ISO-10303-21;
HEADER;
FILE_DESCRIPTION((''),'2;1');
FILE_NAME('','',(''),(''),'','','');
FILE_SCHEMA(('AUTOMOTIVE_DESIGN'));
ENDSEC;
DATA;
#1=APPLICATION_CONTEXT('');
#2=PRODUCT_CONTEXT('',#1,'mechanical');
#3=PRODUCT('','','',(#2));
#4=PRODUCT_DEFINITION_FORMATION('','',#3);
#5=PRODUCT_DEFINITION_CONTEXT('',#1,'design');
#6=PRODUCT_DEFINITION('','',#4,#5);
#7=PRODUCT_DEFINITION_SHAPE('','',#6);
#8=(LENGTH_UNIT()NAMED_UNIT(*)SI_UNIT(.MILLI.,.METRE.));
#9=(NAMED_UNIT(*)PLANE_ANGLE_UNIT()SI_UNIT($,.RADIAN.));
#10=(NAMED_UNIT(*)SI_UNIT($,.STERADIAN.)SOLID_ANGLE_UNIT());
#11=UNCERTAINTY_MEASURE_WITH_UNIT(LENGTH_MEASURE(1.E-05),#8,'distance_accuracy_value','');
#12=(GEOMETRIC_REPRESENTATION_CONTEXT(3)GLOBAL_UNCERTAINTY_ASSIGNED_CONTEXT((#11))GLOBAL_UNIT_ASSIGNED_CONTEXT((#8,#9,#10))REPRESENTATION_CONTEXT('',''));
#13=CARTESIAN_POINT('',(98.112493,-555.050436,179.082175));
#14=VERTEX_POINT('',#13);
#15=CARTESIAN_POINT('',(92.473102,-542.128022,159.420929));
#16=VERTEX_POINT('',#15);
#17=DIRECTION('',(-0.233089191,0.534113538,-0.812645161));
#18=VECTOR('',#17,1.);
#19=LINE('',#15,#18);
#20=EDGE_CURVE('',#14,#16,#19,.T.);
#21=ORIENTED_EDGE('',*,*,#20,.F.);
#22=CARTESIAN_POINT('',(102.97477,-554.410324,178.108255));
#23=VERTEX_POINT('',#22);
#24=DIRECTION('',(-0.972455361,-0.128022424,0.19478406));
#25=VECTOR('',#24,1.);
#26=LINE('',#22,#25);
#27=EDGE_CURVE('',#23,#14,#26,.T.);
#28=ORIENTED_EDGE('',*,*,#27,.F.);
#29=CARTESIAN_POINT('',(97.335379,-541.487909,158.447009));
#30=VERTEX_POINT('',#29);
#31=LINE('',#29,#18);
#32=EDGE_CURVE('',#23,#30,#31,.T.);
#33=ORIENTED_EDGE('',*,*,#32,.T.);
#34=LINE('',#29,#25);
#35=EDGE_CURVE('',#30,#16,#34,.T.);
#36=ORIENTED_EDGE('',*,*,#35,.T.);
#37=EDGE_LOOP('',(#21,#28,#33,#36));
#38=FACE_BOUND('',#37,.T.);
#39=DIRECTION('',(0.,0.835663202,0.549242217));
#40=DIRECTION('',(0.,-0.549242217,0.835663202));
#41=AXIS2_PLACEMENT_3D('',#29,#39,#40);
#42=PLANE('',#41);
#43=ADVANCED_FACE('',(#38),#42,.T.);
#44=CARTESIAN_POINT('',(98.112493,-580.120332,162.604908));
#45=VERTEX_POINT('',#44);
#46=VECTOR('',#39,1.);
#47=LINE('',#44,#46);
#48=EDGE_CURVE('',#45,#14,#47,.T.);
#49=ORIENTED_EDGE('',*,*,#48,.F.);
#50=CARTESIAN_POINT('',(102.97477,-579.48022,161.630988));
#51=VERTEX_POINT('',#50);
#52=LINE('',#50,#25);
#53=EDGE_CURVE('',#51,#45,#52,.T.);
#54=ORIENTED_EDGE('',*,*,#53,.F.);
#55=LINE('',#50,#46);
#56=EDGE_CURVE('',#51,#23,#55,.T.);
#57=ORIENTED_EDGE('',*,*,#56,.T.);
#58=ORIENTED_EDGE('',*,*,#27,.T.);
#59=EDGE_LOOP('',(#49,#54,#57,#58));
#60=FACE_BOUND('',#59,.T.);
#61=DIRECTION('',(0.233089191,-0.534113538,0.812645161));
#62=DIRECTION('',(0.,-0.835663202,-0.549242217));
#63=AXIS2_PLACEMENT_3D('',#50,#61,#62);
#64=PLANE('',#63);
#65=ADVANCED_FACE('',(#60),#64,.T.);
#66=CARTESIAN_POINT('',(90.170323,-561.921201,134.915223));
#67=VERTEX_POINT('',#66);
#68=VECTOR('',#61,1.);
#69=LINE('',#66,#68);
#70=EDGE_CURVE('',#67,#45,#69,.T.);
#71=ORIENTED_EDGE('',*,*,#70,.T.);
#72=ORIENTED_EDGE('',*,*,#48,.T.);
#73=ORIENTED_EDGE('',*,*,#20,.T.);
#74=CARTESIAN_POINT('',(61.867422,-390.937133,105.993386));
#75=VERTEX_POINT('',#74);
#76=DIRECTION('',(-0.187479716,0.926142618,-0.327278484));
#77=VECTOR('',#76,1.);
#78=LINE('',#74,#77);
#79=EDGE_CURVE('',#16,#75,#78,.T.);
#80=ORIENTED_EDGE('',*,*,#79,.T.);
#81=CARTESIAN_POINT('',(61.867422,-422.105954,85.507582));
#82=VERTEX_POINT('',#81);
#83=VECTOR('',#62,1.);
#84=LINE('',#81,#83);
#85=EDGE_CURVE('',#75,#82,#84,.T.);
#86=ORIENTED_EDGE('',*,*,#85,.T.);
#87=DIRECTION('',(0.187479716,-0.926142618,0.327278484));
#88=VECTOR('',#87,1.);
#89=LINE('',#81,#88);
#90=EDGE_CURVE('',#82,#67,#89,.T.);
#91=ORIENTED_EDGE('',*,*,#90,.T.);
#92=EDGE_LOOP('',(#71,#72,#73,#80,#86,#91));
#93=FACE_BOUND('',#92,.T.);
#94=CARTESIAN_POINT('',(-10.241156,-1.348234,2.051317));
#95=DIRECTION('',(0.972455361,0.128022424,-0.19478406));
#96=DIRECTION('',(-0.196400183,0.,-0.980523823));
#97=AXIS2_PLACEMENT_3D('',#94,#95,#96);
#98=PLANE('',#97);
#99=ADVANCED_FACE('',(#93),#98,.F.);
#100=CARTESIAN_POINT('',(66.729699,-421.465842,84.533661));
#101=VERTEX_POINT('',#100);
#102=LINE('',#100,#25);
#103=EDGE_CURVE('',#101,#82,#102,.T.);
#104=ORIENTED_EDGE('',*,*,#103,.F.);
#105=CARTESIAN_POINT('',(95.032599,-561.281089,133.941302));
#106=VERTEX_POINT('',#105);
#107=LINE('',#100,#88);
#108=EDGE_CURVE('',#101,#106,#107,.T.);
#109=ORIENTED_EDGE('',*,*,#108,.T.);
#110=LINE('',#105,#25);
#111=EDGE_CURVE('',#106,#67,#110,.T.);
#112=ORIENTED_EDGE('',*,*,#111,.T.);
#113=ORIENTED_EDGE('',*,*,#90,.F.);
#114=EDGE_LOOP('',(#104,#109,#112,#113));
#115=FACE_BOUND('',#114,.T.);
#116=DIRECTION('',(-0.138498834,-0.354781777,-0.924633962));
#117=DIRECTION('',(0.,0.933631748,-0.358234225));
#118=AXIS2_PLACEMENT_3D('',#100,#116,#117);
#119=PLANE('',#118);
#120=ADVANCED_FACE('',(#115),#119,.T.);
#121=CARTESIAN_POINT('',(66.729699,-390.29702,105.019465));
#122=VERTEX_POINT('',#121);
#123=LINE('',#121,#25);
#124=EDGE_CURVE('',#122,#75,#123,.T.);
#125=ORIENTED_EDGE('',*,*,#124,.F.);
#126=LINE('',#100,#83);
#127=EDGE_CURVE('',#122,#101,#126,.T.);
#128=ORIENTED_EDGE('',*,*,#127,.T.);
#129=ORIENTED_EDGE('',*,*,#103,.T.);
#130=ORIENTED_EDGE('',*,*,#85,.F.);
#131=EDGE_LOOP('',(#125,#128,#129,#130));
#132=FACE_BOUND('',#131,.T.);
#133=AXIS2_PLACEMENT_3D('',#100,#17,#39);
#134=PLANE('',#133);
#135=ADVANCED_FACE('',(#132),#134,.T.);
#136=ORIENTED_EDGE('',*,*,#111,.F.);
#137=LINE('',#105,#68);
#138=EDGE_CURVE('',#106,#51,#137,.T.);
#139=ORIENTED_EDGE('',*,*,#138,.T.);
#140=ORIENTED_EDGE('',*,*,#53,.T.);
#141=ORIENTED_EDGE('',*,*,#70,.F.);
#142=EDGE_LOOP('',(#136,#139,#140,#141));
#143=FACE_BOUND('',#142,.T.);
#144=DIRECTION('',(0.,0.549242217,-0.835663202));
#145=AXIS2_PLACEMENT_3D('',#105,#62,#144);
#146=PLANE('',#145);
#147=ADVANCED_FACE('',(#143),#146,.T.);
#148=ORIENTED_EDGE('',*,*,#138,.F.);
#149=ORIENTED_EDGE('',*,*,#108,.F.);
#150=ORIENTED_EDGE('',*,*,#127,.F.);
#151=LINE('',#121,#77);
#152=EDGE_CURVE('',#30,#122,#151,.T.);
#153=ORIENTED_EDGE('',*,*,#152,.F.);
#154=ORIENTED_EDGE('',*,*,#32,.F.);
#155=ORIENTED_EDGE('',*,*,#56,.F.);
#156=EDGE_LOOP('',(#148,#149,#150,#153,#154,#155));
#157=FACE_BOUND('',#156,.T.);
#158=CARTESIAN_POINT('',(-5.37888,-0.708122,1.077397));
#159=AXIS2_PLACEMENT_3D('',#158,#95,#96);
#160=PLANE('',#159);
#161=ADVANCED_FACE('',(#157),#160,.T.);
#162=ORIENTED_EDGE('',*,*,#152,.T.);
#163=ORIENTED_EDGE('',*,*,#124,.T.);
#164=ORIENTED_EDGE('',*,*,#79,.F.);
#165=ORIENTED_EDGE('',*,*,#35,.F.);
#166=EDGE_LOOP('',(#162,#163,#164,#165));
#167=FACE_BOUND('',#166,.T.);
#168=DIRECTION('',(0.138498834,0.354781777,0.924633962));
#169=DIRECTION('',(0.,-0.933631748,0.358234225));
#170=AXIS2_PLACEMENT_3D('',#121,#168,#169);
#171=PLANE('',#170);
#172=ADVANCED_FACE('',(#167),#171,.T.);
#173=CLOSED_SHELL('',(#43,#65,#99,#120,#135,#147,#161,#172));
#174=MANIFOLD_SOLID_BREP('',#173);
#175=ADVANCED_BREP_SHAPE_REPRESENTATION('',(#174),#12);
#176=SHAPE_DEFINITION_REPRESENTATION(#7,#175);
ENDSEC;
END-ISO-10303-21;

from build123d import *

# Parameters (mm, degrees)
BOSS_EXTRUDE1_DEPTH = 5


with BuildPart() as part:
    # Sketch1 → Boss-Extrude1 (new body)
    with BuildSketch(Plane(origin=(-10.241156446, -1.348234303, 2.051316814), x_dir=(-0.233089191, 0.534113538, -0.812645161), z_dir=(-0.972455361, -0.128022424, 0.19478406))):
        Polygon((-309.360454317, 268.475733816), (-440.665042921, 365.475733816), (-464.859176899, 365.475733816), (-464.859176899, 395.475733816), (-430.785651085, 395.475733816), (-309.360454317, 305.774039369), align=None)
    extrude(amount=-BOSS_EXTRUDE1_DEPTH)


solid = part.part
